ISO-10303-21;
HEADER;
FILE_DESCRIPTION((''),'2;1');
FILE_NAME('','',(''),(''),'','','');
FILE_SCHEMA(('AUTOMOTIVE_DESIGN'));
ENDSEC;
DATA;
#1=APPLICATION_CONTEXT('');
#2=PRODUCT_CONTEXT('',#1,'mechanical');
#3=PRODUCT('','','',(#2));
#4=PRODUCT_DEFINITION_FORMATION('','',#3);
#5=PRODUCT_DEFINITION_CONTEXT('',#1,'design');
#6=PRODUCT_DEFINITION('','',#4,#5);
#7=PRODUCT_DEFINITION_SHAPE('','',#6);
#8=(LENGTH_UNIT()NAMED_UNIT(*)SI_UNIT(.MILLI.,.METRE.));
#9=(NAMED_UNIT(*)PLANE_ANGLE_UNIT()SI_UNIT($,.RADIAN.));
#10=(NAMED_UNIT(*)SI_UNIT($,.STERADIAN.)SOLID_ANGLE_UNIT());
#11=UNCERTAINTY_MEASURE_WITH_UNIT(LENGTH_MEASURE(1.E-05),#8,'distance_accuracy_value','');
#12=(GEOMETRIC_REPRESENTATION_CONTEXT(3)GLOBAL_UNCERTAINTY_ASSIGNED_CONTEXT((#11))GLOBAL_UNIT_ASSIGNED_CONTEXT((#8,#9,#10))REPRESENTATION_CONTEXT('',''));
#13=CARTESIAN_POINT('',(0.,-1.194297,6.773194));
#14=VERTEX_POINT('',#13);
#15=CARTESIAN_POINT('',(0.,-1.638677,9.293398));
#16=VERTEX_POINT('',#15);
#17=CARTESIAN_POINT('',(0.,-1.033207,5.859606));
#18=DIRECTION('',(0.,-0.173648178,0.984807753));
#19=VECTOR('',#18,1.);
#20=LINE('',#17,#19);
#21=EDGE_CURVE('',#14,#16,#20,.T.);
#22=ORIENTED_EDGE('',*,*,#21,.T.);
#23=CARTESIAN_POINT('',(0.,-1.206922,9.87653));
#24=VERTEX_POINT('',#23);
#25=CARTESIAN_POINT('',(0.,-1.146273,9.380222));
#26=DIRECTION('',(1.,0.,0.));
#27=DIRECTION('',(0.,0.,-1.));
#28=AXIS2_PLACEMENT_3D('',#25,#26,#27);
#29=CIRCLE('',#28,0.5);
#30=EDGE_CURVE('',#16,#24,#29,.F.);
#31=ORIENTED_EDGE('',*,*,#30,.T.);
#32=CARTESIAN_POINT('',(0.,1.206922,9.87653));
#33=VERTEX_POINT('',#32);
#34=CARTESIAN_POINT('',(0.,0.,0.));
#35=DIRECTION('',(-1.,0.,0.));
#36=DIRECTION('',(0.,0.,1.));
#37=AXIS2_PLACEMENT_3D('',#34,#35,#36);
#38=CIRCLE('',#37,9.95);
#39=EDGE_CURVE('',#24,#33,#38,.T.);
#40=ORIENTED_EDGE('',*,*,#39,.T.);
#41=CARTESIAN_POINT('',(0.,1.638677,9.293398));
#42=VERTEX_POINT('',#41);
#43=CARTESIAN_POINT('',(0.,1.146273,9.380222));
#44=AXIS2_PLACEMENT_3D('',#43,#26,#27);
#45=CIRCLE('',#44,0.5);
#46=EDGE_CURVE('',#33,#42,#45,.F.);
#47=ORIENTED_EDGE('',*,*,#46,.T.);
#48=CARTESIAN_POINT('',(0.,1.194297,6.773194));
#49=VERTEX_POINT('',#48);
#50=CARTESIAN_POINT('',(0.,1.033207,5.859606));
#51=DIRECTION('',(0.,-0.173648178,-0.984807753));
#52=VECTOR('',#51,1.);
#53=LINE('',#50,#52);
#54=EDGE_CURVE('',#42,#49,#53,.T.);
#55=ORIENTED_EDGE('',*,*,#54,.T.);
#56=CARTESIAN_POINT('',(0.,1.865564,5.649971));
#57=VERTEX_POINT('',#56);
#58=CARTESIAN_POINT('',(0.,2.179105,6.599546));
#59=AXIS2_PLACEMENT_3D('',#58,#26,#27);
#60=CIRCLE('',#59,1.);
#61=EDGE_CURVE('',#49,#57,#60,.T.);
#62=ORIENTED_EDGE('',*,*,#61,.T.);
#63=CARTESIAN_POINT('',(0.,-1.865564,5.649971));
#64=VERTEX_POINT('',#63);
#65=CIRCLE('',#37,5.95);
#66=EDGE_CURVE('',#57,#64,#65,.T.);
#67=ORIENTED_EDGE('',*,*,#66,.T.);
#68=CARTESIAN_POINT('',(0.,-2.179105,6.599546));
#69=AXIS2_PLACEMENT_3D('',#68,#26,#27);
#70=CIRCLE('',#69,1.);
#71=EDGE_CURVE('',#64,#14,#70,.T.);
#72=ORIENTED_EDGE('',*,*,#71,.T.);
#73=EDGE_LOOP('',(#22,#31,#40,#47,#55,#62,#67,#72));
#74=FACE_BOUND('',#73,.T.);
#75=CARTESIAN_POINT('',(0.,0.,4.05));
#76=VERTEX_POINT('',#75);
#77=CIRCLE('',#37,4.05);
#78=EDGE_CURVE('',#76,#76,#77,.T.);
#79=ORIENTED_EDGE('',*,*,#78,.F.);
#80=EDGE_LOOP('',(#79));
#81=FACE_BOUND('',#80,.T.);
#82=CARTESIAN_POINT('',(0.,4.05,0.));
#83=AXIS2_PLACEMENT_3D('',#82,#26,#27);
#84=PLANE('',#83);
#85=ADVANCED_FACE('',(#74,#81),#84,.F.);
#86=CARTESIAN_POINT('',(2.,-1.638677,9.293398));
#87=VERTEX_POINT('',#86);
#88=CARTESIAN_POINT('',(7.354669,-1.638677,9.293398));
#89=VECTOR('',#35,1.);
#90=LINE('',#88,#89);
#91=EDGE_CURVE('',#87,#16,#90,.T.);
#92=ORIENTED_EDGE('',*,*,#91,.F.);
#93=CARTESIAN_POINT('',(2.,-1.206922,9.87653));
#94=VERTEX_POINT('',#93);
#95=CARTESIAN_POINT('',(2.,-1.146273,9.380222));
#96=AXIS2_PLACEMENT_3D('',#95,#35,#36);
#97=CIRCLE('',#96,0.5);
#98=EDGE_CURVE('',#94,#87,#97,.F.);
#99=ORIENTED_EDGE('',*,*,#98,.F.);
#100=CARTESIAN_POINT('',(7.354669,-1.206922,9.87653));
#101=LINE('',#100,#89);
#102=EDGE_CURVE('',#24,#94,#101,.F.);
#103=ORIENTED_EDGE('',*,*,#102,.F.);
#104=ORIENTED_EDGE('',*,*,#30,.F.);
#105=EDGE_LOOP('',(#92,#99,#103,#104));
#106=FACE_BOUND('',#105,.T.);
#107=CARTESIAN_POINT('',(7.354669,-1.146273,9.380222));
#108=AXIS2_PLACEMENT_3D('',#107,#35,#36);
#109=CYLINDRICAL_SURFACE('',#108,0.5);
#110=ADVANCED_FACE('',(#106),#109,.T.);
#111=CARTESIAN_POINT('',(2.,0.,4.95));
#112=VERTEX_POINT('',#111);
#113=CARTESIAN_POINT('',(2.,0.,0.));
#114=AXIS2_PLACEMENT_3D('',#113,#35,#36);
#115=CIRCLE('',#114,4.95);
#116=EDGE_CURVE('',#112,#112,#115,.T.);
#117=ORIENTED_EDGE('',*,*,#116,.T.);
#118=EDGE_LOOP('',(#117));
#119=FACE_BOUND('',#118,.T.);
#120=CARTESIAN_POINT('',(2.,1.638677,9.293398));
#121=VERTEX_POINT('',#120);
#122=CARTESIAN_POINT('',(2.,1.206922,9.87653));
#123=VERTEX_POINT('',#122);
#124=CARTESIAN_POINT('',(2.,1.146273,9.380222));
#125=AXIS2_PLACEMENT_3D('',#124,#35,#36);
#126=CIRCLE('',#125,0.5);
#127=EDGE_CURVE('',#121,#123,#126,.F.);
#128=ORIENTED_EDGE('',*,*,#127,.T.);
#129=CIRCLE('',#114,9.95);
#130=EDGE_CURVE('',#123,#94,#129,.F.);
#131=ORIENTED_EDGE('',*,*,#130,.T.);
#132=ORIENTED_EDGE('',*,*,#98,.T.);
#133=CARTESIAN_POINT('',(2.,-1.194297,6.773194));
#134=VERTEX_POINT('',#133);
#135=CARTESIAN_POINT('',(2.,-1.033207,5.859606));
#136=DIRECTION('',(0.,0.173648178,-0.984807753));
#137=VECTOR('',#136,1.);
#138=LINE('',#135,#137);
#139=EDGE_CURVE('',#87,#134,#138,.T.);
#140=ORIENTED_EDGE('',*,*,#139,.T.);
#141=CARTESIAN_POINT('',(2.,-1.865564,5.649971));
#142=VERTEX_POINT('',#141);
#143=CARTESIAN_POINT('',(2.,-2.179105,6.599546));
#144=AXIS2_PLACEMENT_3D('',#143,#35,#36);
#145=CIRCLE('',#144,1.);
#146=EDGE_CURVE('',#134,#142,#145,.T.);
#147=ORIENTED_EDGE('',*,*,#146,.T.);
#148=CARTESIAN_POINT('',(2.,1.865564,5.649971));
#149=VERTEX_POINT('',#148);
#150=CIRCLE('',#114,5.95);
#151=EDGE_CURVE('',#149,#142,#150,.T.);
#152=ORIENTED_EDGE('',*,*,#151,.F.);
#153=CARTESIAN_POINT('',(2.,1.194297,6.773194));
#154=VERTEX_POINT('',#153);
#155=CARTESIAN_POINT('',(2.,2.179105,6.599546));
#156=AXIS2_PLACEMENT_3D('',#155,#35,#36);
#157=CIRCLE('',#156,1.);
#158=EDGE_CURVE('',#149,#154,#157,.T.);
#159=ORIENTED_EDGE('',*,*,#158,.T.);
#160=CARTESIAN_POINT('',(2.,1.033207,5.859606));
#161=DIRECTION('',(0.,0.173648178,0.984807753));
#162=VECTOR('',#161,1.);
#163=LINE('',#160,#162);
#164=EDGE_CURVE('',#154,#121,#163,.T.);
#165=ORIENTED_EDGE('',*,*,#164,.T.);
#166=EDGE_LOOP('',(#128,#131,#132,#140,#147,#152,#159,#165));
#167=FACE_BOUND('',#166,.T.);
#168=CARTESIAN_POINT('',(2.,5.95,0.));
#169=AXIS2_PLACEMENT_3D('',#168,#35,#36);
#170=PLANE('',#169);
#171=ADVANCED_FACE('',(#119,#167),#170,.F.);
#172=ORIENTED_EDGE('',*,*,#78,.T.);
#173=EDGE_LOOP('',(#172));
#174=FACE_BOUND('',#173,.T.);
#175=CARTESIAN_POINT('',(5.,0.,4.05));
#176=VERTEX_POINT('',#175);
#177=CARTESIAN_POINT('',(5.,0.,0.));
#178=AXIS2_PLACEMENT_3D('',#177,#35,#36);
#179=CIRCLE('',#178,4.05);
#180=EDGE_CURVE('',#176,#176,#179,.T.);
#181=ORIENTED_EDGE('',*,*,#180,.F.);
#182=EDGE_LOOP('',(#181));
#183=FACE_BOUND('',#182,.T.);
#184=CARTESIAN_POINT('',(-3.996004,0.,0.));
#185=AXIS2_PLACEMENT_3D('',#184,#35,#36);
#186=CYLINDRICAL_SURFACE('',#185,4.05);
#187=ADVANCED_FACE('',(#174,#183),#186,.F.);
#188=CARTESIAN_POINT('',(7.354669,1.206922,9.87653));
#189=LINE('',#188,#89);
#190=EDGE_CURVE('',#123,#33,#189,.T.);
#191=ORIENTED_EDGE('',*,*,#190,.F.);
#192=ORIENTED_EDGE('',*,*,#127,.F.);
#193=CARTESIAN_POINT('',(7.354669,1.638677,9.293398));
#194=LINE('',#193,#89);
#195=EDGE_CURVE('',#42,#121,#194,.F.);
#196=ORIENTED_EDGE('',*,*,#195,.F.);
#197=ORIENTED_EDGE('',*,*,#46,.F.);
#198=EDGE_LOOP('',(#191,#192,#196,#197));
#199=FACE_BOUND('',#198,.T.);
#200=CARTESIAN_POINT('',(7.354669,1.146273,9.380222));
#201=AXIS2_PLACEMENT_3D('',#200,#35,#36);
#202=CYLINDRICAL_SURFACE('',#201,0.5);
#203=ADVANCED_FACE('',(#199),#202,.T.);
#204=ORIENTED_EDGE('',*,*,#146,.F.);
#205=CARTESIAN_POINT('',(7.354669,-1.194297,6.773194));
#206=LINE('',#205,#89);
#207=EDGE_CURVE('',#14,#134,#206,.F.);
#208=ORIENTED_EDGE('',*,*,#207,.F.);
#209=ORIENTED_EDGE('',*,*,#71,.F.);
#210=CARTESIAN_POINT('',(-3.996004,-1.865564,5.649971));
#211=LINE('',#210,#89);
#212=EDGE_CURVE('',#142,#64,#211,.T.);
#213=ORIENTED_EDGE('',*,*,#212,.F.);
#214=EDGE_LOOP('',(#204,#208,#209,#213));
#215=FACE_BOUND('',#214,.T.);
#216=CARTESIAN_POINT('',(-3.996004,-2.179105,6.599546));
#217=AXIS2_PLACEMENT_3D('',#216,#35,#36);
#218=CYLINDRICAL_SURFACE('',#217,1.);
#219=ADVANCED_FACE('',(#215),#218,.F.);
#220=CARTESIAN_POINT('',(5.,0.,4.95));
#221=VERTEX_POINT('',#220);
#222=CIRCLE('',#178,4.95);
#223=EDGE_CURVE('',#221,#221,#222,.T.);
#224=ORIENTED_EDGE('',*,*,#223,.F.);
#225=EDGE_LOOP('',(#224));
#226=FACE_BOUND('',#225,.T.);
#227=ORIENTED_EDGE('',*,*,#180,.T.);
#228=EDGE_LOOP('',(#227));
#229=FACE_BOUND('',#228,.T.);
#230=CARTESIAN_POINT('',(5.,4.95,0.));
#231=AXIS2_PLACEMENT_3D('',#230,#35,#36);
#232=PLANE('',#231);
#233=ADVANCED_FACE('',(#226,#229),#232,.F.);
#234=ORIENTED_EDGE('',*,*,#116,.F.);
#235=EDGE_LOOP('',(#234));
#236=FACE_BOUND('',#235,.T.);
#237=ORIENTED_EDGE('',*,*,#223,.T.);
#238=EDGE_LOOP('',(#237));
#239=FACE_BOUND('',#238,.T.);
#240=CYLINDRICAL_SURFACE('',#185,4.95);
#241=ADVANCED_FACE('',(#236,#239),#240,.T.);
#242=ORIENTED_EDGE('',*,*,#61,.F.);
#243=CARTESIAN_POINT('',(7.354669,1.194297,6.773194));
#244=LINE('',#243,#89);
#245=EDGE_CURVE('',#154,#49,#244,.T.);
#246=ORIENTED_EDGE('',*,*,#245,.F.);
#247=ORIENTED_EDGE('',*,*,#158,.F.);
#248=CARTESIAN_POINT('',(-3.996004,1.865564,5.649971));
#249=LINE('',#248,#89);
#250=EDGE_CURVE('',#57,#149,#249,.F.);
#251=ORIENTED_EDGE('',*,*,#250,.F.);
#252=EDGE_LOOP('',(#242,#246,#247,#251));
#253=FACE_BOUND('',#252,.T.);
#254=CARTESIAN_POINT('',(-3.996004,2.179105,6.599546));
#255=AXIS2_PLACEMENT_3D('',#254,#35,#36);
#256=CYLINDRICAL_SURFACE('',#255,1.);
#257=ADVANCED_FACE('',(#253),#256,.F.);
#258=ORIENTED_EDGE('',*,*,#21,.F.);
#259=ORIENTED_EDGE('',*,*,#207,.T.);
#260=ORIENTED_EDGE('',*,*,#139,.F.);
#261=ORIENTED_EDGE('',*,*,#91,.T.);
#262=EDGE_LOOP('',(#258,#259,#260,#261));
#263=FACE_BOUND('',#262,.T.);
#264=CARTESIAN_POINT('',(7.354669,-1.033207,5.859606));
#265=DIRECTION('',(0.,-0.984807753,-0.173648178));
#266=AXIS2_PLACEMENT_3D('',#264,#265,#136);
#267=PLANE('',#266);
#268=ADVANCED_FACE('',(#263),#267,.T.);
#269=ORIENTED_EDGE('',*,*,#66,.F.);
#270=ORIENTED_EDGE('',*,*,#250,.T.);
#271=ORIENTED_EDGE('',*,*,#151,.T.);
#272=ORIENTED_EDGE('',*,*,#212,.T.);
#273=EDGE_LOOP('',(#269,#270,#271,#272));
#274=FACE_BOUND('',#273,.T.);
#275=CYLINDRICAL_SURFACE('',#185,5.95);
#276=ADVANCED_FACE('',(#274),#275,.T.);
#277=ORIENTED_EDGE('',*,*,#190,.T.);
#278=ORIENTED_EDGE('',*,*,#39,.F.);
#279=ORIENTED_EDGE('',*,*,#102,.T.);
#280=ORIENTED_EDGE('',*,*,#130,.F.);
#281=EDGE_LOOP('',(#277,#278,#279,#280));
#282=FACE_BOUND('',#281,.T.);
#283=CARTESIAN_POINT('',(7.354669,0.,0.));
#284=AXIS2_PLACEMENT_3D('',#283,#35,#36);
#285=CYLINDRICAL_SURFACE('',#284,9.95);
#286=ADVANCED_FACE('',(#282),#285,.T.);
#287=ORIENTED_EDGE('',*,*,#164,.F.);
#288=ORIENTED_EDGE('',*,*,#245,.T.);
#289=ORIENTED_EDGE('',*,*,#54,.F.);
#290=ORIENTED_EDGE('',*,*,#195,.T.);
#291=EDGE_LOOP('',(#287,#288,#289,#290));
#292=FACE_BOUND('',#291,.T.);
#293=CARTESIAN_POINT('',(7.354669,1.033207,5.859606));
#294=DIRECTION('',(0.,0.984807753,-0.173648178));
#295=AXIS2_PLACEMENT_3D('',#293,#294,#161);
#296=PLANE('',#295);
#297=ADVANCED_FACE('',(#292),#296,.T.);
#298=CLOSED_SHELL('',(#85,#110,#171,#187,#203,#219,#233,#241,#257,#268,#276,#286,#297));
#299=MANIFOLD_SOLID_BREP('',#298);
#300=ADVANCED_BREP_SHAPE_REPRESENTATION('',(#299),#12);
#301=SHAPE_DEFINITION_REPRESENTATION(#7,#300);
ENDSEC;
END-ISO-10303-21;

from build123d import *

# Parameters (mm, degrees)
BOSS_EXTRU_1_START = -2
BOSS_EXTRU_1_DEPTH = 2
CONG_1_R           = 1
CONG_3_R           = 0.5


with BuildPart() as part:
    # Esquisse1 → Révolution1 (revolve)
    with BuildSketch(Plane.XY, mode=Mode.PRIVATE) as r_volution1_sk:
        Polygon((0, 4.05), (0, 5.95), (2, 5.95), (2, 4.95), (5, 4.95), (5, 4.05), align=None)
    revolve(r_volution1_sk.sketch.rotate(Axis((-3.996004355, 0, 0), (1, 0, 0)), 90), axis=Axis((-3.996004355, 0, 0), (1, 0, 0)))

    # Esquisse2 → Boss.-Extru.1 (add)
    with BuildSketch(Plane.ZY.offset(BOSS_EXTRU_1_START)):
        with BuildLine():
            Line((5.85960613, -1.033206657), (9.798837142, -1.727799368))
            ThreePointArc((9.798837142, -1.727799368), (9.95, 0), (9.798837142, 1.727799368))
            Line((9.798837142, 1.727799368), (5.85960613, 1.033206657))
            ThreePointArc((5.85960613, 1.033206657), (5.95, 0), (5.85960613, -1.033206657))
        make_face()
    extrude(amount=BOSS_EXTRU_1_DEPTH)

    # Congé1
    cong_1_edges = [part.edges().sort_by_distance(p)[0] for p in [
        (1, -1.033206657, 5.85960613),
        (1, 1.033206657, 5.85960613),
    ]]
    fillet(cong_1_edges, radius=CONG_1_R)

    # Congé3
    cong_3_edges = [part.edges().sort_by_distance(p)[0] for p in [
        (1, 1.727799368, 9.798837142),
        (1, -1.727799368, 9.798837142),
    ]]
    fillet(cong_3_edges, radius=CONG_3_R)


solid = part.part
